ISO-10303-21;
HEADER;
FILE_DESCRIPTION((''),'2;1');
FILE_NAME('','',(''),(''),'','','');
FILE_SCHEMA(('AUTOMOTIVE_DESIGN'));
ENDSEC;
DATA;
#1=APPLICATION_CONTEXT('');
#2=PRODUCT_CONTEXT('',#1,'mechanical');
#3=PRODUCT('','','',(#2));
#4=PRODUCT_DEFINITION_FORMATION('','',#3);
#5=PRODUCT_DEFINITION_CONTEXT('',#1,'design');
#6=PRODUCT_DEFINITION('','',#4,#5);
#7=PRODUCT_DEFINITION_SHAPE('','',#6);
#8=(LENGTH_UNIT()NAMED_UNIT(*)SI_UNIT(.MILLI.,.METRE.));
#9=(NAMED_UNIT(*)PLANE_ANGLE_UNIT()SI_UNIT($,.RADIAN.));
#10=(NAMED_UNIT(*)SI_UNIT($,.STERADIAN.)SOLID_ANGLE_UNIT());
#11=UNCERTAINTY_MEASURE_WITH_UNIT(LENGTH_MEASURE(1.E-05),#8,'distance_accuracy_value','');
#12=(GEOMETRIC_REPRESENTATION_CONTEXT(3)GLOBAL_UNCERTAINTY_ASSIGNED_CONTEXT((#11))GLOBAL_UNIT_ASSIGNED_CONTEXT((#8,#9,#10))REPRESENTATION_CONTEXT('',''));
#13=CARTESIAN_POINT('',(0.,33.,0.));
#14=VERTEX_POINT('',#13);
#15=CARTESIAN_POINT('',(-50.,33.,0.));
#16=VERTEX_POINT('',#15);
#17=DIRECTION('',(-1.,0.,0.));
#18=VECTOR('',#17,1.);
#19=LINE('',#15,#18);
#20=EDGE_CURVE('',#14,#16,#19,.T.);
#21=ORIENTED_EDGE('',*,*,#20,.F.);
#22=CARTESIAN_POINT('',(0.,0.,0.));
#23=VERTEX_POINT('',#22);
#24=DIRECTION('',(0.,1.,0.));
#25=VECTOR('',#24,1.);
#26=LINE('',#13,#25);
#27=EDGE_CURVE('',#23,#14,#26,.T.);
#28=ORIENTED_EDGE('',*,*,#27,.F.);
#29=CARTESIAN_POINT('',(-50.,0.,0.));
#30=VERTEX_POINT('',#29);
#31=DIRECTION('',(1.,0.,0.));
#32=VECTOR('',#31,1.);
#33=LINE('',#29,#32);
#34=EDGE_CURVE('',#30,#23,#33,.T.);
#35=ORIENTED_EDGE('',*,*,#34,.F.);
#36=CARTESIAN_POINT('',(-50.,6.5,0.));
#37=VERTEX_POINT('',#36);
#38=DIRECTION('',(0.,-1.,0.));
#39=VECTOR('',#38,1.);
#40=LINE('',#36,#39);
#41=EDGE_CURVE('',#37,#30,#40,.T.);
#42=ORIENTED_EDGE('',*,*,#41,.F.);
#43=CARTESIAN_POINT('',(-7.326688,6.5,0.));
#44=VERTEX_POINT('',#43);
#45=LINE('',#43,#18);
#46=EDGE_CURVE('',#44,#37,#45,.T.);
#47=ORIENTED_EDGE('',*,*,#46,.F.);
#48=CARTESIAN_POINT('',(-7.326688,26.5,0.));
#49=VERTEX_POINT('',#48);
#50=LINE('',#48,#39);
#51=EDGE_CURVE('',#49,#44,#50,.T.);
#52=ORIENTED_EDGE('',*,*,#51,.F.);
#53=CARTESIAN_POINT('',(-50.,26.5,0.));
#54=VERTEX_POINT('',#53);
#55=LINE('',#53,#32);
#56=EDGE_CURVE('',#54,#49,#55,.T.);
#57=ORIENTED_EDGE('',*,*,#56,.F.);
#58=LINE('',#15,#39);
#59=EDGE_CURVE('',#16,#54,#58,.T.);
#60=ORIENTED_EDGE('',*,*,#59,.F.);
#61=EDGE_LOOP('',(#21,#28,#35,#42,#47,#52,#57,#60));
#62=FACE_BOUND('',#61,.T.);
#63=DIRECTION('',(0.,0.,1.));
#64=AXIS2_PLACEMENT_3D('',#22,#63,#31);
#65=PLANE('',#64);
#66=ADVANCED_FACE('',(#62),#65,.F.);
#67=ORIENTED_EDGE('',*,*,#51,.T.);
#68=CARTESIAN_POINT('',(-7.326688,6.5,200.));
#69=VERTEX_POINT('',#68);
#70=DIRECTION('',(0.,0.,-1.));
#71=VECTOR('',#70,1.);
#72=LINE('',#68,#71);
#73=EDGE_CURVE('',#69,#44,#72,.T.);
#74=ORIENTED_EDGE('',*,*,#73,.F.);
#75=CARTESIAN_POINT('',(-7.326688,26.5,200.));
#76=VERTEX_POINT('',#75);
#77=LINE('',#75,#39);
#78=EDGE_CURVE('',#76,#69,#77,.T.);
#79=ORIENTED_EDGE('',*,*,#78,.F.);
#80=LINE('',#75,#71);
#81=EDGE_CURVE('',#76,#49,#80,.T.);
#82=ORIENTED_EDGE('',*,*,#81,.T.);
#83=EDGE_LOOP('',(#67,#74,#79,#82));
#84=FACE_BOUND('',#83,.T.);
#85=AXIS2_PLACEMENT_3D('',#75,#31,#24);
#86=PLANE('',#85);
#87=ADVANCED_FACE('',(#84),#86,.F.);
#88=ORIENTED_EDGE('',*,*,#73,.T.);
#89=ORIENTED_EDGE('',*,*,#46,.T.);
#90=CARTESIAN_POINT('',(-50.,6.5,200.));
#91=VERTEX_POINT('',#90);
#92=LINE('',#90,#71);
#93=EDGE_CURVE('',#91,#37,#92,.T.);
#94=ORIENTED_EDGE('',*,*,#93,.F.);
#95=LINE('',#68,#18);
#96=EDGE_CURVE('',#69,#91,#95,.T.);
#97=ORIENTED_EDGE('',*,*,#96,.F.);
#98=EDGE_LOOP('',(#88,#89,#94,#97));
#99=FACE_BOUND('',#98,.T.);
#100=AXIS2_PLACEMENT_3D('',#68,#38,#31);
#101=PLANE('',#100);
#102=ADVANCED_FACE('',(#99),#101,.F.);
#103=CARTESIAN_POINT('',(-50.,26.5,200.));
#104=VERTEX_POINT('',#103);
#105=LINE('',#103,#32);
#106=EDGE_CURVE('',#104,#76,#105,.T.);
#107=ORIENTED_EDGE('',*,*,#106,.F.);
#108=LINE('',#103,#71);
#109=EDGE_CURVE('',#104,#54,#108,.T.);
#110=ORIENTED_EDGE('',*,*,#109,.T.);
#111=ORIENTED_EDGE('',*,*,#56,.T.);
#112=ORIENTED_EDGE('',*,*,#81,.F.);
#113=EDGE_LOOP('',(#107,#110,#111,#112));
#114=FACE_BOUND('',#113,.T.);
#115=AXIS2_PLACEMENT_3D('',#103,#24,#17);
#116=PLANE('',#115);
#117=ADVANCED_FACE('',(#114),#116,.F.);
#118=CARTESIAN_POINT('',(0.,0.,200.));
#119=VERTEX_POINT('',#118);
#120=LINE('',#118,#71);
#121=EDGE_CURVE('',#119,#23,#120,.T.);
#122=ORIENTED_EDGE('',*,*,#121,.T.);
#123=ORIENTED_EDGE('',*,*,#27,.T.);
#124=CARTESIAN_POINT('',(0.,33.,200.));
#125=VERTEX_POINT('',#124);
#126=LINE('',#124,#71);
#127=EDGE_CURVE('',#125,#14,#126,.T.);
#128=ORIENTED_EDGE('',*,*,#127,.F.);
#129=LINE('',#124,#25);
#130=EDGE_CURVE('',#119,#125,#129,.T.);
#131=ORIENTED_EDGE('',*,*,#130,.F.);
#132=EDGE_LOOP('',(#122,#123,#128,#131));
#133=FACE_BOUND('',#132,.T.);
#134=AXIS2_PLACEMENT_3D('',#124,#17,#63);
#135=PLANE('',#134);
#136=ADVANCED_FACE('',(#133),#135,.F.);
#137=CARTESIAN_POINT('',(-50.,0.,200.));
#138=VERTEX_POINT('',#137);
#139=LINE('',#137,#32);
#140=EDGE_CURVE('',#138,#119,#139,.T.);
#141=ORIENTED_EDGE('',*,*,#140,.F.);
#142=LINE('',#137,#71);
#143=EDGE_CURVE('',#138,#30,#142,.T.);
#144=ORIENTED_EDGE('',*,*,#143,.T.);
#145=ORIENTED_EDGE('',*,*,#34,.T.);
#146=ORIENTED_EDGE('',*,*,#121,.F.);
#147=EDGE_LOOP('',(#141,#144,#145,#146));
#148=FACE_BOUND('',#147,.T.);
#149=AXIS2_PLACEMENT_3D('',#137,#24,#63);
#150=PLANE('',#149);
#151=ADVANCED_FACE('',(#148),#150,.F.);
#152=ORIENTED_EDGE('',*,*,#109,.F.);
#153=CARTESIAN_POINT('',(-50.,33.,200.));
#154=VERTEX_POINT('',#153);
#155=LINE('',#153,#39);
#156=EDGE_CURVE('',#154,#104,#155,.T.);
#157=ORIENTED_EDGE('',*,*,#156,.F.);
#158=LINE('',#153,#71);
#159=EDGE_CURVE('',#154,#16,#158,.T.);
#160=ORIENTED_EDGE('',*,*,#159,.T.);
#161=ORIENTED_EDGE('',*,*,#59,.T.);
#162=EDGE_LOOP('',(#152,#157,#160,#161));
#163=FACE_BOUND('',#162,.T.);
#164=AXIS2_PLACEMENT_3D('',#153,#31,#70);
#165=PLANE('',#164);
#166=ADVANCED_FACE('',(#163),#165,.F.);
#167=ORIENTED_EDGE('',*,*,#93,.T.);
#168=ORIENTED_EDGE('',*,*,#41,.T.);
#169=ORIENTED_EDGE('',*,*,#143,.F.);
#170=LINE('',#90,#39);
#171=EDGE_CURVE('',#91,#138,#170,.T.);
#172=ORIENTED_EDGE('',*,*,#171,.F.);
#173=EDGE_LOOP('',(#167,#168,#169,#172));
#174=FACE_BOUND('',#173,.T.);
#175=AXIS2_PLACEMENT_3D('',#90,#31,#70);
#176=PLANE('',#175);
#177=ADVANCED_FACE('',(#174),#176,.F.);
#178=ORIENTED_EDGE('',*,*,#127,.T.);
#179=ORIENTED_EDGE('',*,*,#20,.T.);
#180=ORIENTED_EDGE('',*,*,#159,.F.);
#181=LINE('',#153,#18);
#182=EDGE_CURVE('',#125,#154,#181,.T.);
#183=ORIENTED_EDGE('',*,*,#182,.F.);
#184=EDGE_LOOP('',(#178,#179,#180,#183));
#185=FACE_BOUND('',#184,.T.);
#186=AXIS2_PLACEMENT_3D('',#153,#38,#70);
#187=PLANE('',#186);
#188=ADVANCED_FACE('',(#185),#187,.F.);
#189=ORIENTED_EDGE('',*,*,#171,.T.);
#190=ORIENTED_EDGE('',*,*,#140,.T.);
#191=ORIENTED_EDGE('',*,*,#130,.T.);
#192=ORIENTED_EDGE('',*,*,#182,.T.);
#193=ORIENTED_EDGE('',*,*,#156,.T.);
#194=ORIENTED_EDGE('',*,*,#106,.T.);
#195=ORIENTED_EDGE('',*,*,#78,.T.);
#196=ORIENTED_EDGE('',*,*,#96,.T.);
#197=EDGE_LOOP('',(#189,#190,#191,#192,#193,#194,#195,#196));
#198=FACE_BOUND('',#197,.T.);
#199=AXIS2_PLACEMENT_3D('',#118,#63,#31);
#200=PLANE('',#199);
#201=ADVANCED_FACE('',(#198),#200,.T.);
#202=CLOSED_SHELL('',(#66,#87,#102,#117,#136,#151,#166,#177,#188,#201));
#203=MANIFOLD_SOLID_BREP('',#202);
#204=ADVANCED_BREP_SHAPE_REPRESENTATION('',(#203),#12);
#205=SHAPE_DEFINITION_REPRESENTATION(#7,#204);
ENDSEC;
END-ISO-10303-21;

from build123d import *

# Parameters (mm, degrees)
BOSS_EXTRU_1_DEPTH = 200


with BuildPart() as part:
    # Esquisse1 → Boss.-Extru.1 (new body)
    with BuildSketch(Plane.XY):
        Polygon((-50, 26.5), (-7.326688058, 26.5), (-7.326688058, 6.5), (-50, 6.5), (-50, 0), (0, 0), (0, 33), (-50, 33), align=None)
    extrude(amount=BOSS_EXTRU_1_DEPTH)


solid = part.part
